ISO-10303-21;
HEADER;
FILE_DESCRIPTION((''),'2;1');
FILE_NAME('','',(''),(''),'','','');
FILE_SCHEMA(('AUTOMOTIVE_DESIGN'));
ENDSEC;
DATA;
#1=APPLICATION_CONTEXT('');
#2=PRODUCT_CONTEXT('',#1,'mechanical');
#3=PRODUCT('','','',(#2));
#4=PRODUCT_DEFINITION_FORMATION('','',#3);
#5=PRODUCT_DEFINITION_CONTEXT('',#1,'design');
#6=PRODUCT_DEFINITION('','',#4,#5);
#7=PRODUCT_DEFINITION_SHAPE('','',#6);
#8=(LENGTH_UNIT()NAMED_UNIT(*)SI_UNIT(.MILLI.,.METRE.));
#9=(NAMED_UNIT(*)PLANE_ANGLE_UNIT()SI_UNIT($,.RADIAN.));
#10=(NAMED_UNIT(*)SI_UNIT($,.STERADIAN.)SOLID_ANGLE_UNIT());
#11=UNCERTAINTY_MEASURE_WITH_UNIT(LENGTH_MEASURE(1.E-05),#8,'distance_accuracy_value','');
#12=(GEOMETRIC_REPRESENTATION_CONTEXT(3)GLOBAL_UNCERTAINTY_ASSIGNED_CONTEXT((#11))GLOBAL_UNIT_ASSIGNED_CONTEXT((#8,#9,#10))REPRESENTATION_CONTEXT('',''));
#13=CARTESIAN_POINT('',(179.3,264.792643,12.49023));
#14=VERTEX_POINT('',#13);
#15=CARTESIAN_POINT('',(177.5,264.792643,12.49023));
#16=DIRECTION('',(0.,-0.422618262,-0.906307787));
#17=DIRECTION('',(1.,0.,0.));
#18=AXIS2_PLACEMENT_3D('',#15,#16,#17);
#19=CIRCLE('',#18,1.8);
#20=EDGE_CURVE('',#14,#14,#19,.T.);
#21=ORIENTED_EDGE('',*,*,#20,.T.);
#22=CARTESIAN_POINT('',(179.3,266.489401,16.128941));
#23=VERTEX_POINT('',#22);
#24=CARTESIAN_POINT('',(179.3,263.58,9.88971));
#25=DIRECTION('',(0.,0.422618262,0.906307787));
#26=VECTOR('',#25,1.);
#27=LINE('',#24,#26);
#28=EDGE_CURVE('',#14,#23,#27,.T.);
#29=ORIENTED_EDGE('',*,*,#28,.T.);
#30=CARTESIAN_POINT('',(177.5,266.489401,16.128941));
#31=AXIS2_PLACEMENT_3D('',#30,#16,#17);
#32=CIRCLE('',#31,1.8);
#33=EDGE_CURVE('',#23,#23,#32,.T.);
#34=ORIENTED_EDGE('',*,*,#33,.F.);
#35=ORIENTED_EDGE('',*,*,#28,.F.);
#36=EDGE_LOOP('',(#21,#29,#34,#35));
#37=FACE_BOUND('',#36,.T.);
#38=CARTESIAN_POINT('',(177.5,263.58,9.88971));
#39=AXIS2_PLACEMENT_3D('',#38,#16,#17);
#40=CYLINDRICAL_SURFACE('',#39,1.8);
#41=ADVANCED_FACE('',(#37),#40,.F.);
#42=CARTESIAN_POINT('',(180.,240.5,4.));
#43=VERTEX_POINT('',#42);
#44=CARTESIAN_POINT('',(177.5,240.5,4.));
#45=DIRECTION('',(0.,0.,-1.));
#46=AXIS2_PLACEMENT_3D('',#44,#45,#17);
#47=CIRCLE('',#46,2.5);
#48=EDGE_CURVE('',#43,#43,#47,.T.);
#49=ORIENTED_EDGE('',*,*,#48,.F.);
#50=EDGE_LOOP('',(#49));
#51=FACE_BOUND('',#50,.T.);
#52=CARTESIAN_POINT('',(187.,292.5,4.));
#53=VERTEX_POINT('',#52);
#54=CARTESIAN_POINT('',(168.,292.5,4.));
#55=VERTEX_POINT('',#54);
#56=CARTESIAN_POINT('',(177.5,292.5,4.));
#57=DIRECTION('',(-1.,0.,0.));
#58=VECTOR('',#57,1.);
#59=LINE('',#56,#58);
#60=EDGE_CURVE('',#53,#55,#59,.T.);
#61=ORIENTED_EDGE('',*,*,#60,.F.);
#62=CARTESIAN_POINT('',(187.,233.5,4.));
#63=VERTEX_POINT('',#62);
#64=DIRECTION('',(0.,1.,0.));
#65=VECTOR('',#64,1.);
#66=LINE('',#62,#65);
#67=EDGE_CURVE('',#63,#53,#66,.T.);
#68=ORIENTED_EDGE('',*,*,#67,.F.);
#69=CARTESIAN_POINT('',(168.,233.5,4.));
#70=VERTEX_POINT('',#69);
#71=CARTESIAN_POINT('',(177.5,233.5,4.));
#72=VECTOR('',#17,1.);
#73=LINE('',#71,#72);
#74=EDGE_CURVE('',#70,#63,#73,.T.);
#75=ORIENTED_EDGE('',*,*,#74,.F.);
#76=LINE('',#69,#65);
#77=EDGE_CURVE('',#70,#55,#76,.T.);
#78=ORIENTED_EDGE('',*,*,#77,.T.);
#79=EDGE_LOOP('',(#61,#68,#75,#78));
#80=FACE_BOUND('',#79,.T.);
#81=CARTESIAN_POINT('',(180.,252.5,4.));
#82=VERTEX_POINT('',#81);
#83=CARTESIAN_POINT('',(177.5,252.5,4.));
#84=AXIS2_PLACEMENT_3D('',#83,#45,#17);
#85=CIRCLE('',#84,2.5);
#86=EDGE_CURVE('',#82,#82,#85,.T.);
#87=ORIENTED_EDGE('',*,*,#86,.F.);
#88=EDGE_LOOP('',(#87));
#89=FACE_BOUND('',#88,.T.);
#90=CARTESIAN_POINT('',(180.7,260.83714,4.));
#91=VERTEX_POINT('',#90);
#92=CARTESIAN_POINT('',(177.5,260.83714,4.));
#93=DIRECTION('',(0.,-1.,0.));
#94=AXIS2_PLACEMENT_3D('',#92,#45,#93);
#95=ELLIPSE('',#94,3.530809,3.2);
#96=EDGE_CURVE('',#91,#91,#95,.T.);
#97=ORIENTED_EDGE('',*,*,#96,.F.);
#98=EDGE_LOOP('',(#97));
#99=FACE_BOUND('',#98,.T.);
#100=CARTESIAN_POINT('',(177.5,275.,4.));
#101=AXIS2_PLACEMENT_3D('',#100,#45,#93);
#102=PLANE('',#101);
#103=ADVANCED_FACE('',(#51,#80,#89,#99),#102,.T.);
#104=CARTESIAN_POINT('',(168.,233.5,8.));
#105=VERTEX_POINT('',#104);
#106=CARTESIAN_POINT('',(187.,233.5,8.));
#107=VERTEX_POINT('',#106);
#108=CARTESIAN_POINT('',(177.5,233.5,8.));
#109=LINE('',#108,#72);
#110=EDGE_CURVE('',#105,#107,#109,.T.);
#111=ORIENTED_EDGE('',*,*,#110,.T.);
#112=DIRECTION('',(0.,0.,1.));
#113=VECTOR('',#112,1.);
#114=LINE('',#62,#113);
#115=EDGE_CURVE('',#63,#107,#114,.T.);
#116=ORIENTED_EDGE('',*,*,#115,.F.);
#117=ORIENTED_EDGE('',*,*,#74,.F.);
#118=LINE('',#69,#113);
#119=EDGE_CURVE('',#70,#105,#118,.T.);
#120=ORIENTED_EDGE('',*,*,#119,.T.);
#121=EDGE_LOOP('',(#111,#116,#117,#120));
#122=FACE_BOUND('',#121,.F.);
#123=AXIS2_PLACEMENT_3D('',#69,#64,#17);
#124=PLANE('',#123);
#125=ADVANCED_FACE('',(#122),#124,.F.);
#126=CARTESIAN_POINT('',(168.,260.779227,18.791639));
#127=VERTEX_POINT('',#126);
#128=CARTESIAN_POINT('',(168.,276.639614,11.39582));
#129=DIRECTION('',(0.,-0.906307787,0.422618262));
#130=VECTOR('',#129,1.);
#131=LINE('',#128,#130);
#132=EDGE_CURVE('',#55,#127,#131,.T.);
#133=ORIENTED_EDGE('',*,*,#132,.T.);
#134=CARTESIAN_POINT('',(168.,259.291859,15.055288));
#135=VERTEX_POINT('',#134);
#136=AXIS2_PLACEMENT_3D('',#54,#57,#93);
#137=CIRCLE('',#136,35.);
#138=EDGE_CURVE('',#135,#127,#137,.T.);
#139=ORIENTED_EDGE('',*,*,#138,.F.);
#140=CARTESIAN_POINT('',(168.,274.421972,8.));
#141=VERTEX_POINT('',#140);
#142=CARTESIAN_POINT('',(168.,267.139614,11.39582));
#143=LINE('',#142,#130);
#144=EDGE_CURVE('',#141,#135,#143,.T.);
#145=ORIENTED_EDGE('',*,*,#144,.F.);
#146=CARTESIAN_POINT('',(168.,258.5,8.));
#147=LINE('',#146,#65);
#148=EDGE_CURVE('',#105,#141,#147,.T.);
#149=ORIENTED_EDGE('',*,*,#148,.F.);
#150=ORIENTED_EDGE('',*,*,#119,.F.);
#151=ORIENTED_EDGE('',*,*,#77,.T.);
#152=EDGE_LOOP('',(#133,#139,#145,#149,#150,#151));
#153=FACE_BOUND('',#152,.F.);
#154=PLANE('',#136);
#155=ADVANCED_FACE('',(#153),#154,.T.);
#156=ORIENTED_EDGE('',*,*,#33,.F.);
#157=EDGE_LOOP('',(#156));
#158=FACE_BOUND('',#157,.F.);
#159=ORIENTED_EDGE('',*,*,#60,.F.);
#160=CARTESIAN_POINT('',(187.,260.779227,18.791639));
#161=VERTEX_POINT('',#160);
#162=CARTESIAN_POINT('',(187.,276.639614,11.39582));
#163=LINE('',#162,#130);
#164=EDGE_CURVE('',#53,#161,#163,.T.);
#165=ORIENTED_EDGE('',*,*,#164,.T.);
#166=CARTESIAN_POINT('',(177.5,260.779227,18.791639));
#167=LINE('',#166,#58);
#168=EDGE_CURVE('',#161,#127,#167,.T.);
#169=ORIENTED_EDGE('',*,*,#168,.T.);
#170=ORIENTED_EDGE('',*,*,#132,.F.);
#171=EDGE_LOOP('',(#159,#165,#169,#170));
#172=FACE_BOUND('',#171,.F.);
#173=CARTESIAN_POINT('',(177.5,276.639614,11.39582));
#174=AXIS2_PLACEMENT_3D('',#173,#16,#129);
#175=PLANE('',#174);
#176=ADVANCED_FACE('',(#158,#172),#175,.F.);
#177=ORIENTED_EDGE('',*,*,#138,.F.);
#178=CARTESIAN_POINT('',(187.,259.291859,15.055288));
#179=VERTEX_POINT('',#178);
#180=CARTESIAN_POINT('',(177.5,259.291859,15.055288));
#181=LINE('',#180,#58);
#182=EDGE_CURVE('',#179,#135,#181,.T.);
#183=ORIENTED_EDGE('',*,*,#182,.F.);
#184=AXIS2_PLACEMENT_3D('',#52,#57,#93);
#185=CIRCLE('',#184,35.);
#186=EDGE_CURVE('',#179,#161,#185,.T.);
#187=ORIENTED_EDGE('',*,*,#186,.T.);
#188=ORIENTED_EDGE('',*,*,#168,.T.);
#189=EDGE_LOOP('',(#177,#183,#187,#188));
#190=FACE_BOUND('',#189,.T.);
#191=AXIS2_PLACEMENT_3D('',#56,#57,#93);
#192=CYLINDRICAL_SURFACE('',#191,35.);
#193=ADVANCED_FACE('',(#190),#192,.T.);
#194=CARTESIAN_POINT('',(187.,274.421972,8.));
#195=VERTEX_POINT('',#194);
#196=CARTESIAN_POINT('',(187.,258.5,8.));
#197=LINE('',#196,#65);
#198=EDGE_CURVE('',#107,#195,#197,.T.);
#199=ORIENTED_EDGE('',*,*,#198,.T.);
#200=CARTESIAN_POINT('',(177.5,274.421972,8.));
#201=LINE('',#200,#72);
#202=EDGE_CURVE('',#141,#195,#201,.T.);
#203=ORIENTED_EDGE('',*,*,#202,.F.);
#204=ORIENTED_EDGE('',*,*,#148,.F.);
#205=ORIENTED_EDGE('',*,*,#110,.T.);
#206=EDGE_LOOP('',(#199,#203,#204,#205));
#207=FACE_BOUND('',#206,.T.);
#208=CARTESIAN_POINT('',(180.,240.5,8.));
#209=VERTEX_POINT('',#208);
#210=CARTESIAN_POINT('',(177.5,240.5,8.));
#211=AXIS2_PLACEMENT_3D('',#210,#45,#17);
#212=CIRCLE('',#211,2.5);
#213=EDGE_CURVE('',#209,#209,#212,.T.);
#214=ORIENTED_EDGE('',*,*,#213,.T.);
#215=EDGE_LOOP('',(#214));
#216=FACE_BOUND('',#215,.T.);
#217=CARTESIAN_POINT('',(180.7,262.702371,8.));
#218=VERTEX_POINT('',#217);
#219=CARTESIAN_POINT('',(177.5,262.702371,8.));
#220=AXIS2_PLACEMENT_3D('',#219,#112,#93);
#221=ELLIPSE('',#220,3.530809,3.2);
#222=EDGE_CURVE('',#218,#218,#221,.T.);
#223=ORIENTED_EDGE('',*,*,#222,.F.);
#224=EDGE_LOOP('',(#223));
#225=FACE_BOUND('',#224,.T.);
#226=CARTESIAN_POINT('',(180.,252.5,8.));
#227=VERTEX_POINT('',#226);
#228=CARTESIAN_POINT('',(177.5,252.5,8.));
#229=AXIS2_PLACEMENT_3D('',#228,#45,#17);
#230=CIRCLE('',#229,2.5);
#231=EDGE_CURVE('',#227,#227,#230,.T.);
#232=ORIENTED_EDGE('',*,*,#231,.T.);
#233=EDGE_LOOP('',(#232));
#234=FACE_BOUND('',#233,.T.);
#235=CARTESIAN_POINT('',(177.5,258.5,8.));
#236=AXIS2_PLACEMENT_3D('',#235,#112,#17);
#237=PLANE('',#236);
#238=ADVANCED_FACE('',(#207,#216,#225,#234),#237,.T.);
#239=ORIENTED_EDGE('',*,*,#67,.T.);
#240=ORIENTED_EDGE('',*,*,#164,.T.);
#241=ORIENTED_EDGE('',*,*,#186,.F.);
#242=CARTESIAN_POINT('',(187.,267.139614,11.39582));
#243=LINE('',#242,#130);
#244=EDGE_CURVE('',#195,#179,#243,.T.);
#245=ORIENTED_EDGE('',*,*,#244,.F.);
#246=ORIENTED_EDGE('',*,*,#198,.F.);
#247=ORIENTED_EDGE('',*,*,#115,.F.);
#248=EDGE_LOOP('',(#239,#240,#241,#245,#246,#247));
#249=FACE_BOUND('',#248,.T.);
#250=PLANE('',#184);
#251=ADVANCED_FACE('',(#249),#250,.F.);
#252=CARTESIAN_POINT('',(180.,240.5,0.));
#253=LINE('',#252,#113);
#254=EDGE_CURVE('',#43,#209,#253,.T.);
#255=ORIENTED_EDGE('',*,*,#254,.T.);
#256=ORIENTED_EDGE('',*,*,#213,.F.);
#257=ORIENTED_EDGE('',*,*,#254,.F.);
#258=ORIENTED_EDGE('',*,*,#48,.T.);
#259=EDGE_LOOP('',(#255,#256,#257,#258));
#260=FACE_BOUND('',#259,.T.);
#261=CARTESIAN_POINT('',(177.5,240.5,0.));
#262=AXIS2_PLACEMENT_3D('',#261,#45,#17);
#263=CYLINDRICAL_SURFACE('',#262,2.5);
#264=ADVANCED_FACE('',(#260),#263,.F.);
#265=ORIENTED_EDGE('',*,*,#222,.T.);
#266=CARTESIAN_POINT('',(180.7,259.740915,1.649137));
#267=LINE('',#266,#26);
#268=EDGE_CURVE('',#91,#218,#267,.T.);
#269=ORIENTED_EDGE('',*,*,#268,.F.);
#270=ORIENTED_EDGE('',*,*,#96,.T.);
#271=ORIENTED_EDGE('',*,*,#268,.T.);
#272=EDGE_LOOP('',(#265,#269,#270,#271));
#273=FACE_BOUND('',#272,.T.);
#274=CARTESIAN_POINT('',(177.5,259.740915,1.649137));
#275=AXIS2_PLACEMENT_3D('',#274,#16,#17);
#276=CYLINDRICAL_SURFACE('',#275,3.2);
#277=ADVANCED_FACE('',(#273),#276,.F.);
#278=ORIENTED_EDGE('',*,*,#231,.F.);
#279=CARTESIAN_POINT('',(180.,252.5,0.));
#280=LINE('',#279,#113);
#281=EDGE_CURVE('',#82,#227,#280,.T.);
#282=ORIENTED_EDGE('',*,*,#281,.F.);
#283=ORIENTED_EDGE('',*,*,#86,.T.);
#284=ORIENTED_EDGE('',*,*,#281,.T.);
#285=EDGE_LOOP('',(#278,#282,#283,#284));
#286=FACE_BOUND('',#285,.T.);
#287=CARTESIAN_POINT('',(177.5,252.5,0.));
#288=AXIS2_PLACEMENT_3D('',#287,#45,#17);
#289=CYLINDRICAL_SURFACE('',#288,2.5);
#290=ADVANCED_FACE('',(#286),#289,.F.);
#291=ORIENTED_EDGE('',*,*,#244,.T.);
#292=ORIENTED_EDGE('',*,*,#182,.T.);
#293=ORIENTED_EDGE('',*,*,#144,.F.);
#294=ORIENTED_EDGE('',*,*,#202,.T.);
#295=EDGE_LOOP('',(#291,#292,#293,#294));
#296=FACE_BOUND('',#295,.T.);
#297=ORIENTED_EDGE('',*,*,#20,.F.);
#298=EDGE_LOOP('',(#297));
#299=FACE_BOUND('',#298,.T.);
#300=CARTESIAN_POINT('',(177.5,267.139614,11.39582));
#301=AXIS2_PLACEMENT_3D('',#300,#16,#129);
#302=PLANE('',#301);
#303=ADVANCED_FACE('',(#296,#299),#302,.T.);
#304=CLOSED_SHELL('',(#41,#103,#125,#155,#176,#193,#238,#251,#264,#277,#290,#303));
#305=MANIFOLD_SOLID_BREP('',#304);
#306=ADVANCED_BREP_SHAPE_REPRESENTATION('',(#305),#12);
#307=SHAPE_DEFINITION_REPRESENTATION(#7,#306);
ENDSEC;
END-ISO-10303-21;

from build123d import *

# Parameters (mm, degrees)
CYLINDER077_R               = 3.2
CYLINDER077_DEPTH           = 10
CYLINDER077_PLACEMENT_ANGLE = 25
CYLINDER012_R               = 1.8
CYLINDER012_DEPTH           = 15
CYLINDER012_PLACEMENT_ANGLE = 25
CYLINDER023_R               = 2.5
CYLINDER023_DEPTH           = 10
CYLINDER020_R               = 2.5
CYLINDER020_DEPTH           = 10
CYLINDER021_W               = 35
CYLINDER021_H               = 19
CYLINDER021_ANGLE           = 25
CYLINDER022_W               = 35
CYLINDER022_H               = 19
CYLINDER022_ANGLE           = 25
BOX029_W                    = 19
BOX029_H                    = 50
BOX029_DEPTH                = 4


with BuildPart() as cylinder073:
    # Cylinder077 → Cylinder077 (new body)
    with BuildSketch(Plane.XY):
        Circle(CYLINDER077_R)
    extrude(amount=CYLINDER077_DEPTH)


with BuildPart() as cylinder073_1:
    # Cylinder077 placement: moved
    add(cylinder073.part.moved(Location((177.5, 259.740915, 1.649137))).rotate(Axis((177.5, 259.740915, 1.649137), (-1, 0, 0)), CYLINDER077_PLACEMENT_ANGLE))


with BuildPart() as m2bolt:
    # Cylinder012 → Cylinder012 (new body)
    with BuildSketch(Plane.XY):
        Circle(CYLINDER012_R)
    extrude(amount=CYLINDER012_DEPTH)


with BuildPart() as m2bolt_1:
    # Cylinder012 placement: moved
    add(m2bolt.part.moved(Location((177.5, 263.58, 9.88971))).rotate(Axis((177.5, 263.58, 9.88971), (-1, 0, 0)), CYLINDER012_PLACEMENT_ANGLE))


with BuildPart() as m4s005:
    # Cylinder023 → Cylinder023 (new body)
    with BuildSketch(Plane(origin=(177.5, 240.5, 0), x_dir=(1, 0, 0), z_dir=(0, 0, 1))):
        Circle(CYLINDER023_R)
    extrude(amount=CYLINDER023_DEPTH)


with BuildPart() as m4lowcut002:
    # Cylinder020 → Cylinder020 (new body)
    with BuildSketch(Plane(origin=(177.5, 252.5, 0), x_dir=(1, 0, 0), z_dir=(0, 0, 1))):
        Circle(CYLINDER020_R)
    extrude(amount=CYLINDER020_DEPTH)

    # Fusion011: union m4s005
    add(m4s005.part)


with BuildPart() as cylinder021:
    # Cylinder021 → Cylinder021 (revolve)
    with BuildSketch(Plane(origin=(187, 283, 4), x_dir=(0, -1, 0), z_dir=(0, 0, -1))):
        with Locations((17.5, 9.5)):
            Rectangle(CYLINDER021_W, CYLINDER021_H)
    revolve(axis=Axis((187, 283, 4), (-1, 0, 0)), revolution_arc=CYLINDER021_ANGLE)


with BuildPart() as bottom004:
    # Cylinder022 → Cylinder022 (revolve)
    with BuildSketch(Plane(origin=(187, 292.5, 4), x_dir=(0, -1, 0), z_dir=(0, 0, -1))):
        with Locations((17.5, 9.5)):
            Rectangle(CYLINDER022_W, CYLINDER022_H)
    revolve(axis=Axis((187, 292.5, 4), (-1, 0, 0)), revolution_arc=CYLINDER022_ANGLE)

    # Cut018: cut Cylinder021
    add(cylinder021.part, mode=Mode.SUBTRACT)


with BuildPart() as bottommid001:
    # Box029 → Box029 (new body)
    with BuildSketch(Plane(origin=(168, 233.5, 4), x_dir=(1, 0, 0), z_dir=(0, 0, 1))):
        with Locations((9.5, 25)):
            Rectangle(BOX029_W, BOX029_H)
    extrude(amount=BOX029_DEPTH)

    # Fusion012: union bottom004
    add(bottom004.part)

    # Cut019: cut m4lowCut002
    add(m4lowcut002.part, mode=Mode.SUBTRACT)

    # Cut029: cut m2Bolt
    add(m2bolt_1.part, mode=Mode.SUBTRACT)

    # Cut060: cut Cylinder073
    add(cylinder073_1.part, mode=Mode.SUBTRACT)


solid = bottommid001.part
